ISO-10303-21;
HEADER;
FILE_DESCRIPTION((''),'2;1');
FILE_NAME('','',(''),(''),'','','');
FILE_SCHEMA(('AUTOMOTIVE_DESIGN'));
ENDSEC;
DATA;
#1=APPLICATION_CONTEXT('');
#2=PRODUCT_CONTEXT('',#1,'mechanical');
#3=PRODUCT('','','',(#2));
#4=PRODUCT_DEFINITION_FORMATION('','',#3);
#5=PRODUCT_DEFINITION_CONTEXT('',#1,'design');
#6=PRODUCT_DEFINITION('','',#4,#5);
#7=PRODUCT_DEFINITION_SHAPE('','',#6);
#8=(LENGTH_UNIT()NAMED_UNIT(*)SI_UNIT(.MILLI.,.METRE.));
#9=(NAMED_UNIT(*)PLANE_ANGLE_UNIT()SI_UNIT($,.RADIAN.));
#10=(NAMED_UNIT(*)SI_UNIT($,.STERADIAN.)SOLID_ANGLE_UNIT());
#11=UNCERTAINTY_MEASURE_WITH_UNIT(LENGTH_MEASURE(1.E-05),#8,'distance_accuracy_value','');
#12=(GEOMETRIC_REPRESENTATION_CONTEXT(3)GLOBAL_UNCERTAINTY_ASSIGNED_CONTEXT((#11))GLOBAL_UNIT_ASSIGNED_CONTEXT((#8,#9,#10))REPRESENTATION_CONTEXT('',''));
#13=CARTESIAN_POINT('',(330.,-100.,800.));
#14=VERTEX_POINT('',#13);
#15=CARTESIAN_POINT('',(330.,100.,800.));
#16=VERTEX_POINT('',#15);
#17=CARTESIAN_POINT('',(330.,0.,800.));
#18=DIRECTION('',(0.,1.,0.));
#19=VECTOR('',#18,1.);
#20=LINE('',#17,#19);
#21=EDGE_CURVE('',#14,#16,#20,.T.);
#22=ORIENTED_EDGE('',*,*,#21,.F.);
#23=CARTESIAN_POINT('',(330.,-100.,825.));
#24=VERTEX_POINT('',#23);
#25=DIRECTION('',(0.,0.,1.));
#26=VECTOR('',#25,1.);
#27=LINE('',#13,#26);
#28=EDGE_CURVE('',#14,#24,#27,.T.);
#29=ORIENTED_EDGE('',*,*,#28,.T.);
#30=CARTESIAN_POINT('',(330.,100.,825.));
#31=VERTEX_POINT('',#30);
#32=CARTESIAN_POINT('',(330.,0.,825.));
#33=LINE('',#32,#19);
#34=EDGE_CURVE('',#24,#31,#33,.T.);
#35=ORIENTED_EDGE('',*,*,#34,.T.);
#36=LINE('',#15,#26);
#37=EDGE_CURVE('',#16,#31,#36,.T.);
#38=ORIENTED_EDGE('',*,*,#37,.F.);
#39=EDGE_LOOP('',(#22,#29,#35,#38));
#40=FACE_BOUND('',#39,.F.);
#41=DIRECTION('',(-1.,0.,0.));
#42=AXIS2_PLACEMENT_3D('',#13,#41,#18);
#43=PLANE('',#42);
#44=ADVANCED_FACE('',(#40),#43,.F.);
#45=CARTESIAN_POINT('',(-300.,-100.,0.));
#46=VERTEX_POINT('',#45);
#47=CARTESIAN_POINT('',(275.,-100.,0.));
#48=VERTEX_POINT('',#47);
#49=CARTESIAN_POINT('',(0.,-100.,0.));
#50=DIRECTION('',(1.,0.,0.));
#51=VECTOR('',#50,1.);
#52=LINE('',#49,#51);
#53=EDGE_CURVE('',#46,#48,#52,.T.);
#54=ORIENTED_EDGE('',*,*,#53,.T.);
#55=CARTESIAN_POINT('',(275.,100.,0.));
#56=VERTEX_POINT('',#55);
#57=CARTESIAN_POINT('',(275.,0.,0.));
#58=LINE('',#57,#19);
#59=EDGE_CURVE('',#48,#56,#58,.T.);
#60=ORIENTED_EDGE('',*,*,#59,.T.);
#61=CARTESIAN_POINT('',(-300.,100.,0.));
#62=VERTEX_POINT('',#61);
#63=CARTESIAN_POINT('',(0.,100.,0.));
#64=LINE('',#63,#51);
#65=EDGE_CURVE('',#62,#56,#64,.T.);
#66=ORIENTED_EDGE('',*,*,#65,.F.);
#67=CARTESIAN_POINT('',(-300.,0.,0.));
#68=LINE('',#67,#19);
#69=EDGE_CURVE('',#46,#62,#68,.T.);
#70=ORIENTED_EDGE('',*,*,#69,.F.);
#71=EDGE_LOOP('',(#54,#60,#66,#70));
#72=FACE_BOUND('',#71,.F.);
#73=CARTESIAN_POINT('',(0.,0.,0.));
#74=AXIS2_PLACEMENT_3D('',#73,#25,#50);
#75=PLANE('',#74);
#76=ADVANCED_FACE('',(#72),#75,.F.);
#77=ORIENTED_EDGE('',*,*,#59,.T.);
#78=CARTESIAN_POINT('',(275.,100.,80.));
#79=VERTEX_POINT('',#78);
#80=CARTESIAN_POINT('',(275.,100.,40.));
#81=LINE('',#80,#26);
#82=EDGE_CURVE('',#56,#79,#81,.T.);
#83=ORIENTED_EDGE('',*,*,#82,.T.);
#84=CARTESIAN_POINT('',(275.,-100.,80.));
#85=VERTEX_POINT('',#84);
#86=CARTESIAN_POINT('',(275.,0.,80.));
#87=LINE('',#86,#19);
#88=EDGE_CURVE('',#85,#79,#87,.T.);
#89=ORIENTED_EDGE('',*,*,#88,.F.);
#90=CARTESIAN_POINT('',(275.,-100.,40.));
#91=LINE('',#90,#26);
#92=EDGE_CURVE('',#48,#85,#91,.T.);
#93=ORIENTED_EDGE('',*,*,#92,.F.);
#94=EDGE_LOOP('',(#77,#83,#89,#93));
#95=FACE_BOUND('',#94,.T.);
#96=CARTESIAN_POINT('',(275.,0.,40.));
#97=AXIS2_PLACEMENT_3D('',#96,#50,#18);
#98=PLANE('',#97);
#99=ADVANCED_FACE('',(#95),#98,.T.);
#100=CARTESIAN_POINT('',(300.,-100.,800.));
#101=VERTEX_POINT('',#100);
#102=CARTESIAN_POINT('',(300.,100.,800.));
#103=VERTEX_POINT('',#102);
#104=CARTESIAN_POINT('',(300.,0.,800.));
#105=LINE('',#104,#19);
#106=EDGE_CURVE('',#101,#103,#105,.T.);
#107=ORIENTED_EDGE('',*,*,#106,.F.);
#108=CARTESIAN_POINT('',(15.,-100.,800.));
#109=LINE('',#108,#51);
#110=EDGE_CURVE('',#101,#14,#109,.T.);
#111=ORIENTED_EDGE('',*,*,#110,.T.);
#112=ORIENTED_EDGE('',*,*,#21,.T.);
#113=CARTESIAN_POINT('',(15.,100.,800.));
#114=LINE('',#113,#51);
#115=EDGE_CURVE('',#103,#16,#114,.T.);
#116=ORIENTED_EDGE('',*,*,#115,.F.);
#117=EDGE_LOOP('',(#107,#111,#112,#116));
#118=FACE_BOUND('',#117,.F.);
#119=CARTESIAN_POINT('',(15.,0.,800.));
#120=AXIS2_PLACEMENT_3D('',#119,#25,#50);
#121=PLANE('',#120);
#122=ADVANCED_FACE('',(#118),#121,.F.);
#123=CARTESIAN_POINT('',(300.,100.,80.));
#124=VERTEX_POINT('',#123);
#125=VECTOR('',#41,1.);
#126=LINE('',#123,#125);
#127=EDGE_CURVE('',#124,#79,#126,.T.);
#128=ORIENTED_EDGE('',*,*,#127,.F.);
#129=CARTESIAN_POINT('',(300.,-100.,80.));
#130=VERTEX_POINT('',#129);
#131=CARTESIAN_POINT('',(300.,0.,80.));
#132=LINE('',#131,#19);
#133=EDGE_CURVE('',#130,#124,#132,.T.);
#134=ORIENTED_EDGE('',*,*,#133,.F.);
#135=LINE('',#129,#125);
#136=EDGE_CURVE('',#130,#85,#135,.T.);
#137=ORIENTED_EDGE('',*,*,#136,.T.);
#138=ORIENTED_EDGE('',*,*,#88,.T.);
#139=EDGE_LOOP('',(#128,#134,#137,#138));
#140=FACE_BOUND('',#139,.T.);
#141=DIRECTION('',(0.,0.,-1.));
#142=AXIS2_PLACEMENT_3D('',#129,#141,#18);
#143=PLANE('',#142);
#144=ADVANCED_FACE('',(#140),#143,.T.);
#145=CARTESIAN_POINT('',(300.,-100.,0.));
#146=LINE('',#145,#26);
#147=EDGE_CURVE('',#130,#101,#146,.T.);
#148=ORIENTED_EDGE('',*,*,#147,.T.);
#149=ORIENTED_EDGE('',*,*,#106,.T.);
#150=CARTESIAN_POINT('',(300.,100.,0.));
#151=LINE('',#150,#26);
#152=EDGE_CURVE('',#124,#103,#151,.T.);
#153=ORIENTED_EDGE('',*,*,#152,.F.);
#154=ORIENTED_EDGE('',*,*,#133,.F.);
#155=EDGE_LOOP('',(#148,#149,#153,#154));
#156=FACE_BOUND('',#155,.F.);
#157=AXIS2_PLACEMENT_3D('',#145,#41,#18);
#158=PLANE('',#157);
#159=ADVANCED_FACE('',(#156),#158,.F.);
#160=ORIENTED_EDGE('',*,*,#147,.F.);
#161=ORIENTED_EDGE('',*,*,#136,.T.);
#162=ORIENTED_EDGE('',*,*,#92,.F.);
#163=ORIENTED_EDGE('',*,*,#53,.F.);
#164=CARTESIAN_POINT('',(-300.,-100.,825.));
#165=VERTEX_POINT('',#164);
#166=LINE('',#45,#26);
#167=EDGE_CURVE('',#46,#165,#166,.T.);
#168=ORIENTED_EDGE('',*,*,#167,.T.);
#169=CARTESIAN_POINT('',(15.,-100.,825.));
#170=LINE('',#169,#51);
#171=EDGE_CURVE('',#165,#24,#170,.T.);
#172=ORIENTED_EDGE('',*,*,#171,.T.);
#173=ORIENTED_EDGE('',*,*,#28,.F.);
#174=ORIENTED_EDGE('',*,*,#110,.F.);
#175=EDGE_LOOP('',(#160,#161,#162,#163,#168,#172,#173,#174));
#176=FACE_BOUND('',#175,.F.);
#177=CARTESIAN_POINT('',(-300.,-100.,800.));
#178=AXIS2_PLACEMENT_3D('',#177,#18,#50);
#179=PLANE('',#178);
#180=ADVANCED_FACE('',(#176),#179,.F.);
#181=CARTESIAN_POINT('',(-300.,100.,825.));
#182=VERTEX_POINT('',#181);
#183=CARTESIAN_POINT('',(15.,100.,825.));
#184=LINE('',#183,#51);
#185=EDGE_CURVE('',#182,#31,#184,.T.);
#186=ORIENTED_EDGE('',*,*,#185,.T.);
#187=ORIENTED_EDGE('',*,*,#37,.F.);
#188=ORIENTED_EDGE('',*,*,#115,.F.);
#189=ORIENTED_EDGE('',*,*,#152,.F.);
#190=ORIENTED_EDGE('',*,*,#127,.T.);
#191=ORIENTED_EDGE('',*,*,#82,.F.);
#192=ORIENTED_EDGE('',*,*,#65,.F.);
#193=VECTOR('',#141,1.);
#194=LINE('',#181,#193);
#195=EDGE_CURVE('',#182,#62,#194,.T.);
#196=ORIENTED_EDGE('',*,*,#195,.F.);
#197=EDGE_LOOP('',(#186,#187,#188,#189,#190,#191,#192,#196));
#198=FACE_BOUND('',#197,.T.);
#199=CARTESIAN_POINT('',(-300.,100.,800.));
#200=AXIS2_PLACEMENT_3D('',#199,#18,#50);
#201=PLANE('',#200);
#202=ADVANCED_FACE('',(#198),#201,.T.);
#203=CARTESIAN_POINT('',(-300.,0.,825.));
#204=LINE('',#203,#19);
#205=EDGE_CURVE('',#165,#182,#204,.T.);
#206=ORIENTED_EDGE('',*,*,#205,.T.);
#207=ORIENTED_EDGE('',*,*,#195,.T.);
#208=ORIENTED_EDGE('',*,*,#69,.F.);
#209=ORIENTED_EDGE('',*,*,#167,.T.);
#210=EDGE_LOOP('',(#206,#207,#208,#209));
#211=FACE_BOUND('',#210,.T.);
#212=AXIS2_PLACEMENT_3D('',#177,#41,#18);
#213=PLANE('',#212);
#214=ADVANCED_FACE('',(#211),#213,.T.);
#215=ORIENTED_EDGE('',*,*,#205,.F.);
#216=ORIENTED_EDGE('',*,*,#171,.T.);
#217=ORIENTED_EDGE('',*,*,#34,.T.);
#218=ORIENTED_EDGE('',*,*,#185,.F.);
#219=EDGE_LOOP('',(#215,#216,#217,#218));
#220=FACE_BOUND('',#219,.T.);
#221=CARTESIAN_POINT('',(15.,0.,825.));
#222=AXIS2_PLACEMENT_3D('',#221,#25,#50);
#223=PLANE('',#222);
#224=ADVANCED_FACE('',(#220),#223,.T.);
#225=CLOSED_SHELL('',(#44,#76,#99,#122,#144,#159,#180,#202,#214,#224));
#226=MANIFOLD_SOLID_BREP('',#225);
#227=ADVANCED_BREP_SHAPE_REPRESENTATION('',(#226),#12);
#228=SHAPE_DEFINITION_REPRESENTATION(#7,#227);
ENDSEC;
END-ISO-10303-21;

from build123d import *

# Parameters (mm, degrees)
F0_W     = 600
F0_H     = 200
F1_DEPTH = 800
F2_W     = 200
F2_H     = 80
F3_DEPTH = 25
F4_W     = 630
F4_H     = 200
F5_DEPTH = 25


with BuildPart() as f1:
    # F0 (on Top) → F1 (new body)
    with BuildSketch(Plane.XY):
        Rectangle(F0_W, F0_H)
    extrude(amount=F1_DEPTH)

    # F2 (on face) → F3 (cut)
    with BuildSketch(Plane.YZ.offset(300)):
        with Locations((0, 40)):
            Rectangle(F2_W, F2_H)
    extrude(amount=-F3_DEPTH, mode=Mode.SUBTRACT)

    # F4 (on face) → F5 (join)
    with BuildSketch(Plane.XY.offset(800)):
        with Locations((15, 0)):
            Rectangle(F4_W, F4_H)
    extrude(amount=F5_DEPTH)


solid = f1.part
